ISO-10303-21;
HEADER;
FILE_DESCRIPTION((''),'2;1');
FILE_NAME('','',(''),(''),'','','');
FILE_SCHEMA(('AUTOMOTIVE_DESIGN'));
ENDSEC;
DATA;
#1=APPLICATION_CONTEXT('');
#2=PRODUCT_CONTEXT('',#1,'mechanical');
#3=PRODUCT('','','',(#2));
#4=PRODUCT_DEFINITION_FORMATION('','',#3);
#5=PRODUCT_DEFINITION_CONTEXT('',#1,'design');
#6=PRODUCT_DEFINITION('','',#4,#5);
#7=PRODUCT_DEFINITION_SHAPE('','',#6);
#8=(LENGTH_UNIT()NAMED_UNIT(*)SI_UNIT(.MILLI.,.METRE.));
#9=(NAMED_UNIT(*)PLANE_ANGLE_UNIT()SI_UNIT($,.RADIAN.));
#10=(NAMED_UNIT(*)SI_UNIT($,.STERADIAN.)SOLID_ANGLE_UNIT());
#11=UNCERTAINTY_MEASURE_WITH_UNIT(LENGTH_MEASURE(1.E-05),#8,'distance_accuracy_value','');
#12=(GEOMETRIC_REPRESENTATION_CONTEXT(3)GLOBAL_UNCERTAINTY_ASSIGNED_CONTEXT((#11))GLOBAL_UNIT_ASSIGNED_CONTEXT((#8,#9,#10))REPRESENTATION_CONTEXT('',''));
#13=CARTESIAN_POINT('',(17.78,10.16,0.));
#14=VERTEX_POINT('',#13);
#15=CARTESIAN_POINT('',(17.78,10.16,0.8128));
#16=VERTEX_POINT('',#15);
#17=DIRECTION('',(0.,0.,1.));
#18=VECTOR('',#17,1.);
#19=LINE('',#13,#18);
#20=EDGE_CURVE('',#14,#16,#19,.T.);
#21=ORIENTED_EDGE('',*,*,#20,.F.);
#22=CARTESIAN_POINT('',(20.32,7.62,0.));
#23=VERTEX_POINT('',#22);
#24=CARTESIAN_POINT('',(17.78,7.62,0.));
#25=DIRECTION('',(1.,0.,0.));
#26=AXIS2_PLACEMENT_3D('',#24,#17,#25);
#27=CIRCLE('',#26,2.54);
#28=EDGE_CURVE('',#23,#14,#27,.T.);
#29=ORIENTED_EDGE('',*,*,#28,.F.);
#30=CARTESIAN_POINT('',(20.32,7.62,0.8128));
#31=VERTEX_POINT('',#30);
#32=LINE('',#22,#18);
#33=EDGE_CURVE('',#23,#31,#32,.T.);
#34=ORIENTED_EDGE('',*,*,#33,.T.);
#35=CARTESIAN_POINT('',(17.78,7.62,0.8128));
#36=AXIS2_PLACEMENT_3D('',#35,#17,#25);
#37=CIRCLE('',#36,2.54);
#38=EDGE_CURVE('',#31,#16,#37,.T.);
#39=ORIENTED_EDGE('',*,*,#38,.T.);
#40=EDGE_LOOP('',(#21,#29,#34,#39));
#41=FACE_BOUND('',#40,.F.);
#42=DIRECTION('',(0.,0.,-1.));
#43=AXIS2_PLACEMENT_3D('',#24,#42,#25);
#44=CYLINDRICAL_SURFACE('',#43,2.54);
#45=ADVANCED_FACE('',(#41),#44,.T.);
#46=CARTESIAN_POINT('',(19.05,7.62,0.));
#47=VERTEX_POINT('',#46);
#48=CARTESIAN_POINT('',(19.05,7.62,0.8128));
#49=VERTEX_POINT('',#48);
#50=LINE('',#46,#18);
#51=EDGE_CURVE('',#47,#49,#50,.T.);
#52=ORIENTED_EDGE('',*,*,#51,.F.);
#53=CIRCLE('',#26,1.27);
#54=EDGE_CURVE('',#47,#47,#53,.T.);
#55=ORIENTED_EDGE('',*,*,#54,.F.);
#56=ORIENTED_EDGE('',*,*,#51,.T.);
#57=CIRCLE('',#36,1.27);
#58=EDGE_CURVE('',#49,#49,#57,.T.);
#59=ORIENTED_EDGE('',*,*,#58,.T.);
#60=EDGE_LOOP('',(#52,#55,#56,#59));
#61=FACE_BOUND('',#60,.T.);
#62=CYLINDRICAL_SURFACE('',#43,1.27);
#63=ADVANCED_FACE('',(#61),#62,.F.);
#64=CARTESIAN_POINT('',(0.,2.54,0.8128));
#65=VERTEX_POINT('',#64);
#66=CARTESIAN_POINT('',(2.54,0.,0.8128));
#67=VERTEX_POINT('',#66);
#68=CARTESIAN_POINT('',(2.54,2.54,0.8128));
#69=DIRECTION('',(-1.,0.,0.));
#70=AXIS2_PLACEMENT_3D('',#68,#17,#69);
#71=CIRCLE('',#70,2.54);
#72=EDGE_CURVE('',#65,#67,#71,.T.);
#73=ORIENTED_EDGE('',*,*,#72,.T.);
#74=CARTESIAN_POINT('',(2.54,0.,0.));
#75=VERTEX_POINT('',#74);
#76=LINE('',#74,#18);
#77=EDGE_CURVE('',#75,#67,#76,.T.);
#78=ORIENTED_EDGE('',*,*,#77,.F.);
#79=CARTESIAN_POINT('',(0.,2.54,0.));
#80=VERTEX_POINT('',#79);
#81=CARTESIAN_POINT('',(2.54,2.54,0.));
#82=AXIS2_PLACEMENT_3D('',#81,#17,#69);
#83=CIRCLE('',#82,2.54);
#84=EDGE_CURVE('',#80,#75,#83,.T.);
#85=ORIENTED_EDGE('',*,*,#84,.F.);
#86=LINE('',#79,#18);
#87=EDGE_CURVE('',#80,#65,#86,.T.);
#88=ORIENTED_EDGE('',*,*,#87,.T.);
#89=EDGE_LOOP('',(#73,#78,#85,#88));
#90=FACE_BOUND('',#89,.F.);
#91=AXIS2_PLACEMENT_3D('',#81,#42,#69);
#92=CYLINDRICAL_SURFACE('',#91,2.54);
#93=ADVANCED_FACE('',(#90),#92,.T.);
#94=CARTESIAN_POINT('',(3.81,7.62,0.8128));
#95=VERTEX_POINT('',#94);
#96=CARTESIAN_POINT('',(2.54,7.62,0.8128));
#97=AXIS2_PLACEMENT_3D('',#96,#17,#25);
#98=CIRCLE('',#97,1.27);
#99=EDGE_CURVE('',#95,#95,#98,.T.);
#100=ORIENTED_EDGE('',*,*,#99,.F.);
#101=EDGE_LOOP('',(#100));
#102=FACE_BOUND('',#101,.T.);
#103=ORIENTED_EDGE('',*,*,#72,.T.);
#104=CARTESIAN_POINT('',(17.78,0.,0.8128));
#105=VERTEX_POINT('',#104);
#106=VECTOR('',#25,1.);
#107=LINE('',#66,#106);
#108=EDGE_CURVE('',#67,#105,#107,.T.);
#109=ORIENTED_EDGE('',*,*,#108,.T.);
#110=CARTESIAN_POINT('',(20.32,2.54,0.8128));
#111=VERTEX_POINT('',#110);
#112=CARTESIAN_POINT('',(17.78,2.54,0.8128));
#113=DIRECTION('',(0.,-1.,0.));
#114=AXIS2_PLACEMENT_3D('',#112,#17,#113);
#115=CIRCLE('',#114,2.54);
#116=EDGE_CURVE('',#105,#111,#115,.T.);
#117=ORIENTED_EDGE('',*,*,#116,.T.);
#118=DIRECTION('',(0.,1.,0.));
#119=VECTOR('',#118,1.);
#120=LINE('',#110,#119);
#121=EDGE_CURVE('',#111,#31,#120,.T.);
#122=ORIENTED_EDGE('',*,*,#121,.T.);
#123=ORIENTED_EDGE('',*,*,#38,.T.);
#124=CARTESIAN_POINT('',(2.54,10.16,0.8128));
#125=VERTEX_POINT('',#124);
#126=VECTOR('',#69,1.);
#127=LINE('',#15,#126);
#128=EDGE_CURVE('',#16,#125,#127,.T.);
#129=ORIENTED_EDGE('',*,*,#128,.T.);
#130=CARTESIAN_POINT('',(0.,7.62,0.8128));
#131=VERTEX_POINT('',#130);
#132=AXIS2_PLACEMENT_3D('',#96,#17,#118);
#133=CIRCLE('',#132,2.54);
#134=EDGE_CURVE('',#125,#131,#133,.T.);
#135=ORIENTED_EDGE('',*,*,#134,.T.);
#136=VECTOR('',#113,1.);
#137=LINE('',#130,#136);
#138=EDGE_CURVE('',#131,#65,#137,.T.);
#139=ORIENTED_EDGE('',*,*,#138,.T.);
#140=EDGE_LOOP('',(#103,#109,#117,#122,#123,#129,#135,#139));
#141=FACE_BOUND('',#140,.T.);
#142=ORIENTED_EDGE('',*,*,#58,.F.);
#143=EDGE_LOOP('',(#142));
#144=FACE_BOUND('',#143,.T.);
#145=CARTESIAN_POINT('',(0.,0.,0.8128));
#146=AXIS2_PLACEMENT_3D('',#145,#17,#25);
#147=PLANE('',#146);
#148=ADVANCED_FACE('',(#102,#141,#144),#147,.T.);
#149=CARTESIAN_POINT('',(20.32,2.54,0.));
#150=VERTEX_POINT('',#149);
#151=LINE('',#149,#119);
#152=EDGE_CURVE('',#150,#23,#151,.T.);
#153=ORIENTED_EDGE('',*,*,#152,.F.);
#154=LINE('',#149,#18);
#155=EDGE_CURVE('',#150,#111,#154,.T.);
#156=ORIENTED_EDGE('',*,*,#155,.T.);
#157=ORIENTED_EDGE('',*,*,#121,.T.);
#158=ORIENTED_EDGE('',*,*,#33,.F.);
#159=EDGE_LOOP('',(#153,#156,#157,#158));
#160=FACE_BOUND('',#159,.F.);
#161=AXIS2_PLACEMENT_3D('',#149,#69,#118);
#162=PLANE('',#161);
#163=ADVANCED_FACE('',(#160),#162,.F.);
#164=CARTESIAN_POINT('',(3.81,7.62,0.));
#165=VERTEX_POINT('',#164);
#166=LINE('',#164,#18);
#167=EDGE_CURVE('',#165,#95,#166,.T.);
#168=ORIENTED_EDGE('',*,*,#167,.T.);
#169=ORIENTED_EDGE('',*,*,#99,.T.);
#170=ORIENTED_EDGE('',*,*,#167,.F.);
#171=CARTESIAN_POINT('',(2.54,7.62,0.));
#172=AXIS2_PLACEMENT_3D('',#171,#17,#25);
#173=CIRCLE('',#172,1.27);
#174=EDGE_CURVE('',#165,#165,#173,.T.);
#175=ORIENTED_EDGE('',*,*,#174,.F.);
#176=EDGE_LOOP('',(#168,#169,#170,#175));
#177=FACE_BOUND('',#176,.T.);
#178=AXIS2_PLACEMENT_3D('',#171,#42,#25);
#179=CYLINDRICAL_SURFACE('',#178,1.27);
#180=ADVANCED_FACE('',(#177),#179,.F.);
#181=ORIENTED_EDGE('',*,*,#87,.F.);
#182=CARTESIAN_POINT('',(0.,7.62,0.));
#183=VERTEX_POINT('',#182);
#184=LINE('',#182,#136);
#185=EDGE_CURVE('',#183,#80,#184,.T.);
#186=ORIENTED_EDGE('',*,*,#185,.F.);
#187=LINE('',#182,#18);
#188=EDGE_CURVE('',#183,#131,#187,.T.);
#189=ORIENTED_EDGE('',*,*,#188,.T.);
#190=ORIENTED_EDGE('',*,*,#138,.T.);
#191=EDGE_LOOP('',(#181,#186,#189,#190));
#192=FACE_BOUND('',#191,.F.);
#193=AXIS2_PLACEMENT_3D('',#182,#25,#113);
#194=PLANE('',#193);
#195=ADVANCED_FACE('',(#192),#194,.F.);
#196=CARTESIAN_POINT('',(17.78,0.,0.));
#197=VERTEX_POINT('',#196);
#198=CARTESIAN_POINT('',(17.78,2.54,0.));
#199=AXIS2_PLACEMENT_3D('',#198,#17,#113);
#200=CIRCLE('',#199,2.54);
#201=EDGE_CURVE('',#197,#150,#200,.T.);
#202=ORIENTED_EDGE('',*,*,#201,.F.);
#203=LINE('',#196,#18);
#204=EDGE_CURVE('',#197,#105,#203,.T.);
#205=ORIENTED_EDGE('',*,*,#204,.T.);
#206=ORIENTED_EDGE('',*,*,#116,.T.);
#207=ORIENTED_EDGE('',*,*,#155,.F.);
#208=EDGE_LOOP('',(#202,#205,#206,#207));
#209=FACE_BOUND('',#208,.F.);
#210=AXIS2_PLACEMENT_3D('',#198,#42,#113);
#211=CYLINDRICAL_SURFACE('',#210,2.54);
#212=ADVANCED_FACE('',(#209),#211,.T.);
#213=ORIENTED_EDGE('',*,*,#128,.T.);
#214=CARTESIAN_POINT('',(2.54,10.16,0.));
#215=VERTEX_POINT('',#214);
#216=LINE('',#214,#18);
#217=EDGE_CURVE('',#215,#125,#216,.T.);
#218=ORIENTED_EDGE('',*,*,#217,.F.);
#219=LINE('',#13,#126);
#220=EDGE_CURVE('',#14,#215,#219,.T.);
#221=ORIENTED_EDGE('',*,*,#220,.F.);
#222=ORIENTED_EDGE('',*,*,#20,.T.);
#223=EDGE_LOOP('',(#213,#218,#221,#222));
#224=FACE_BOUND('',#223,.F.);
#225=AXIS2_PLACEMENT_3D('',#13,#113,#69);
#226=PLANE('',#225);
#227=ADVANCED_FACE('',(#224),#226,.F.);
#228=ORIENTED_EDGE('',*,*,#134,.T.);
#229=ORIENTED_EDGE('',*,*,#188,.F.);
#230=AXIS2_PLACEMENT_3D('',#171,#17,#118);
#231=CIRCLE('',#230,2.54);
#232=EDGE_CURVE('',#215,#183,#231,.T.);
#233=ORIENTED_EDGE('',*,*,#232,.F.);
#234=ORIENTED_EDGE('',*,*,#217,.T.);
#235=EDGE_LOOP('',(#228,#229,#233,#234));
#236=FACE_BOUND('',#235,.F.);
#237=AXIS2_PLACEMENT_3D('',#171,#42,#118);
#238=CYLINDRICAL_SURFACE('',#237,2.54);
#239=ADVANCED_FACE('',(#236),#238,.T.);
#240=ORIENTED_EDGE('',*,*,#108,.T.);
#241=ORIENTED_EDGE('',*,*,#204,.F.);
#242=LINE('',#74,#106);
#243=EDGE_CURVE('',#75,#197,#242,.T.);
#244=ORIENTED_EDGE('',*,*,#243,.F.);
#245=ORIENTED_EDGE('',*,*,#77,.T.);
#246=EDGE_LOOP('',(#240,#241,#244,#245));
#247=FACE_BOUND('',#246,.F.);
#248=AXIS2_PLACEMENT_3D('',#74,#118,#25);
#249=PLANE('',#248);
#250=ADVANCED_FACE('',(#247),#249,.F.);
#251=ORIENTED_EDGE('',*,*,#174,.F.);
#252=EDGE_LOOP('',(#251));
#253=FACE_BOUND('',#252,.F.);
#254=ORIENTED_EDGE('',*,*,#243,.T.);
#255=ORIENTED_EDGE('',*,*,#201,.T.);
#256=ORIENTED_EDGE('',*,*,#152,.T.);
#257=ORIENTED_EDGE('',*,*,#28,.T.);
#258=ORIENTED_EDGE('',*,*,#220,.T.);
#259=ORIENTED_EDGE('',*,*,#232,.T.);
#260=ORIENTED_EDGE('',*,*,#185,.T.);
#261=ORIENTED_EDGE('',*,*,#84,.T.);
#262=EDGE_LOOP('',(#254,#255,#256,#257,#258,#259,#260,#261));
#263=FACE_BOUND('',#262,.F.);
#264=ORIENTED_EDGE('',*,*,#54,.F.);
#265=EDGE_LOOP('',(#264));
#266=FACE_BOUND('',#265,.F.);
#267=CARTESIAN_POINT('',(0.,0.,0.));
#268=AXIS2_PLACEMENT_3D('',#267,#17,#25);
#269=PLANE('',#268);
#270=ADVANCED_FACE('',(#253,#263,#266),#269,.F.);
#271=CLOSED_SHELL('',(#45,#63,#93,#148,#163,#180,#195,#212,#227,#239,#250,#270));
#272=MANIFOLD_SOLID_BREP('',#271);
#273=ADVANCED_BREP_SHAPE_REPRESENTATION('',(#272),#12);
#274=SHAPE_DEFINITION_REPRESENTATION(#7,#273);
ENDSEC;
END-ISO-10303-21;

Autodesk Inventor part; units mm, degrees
ref_plane "YZ Plane" through (0, 0, 0) normal (1, 0, 0) x (0, 1, 0)
ref_plane "XZ Plane" through (0, 0, 0) normal (0, 1, 0) x (-1, 0, 0)
ref_plane "XY Plane" through (0, 0, 0) normal (0, 0, 1) x (1, 0, 0)
sketch "Sketch1" plane through (0, 0, 0) normal (0, 0, 1) x (1, 0, 0)
  line L0 (2.54, 0) -> (17.78, 0)
  line L1 (20.32, 2.54) -> (20.32, 7.62)
  line L2 (17.78, 10.16) -> (2.54, 10.16)
  line L3 (0, 7.62) -> (0, 2.54)
  arc A0 (2.54, 10.16) -> (0, 7.62) centre (2.54, 7.62) ccw
  arc A1 (20.32, 7.62) -> (17.78, 10.16) centre (17.78, 7.62) ccw
  arc A2 (17.78, 0) -> (20.32, 2.54) centre (17.78, 2.54) ccw
  arc A3 (0, 2.54) -> (2.54, 0) centre (2.54, 2.54) ccw
  circle A4 centre (2.54, 7.62) radius 1.27
  circle A5 centre (17.78, 7.62) radius 1.27
  point P0 (0, 0)
  point P1 (20.32, 10.16)
  point P2 (20.32, 0)
  point P3 (0, 10.16)
  dimension "d0" = 20.32
  dimension "d1" = 10.16
  dimension "d2" = 2.54
  dimension "d3" = 2.54
  dimension "d4" = 2.54
  dimension "d5" = 2.54
  dimension "d6" = 2.54
  dimension "d7" = 15.24
extrude "Extrusion1" add sketch "Sketch1" along normal blind 0.8128
properties part number "microB"
